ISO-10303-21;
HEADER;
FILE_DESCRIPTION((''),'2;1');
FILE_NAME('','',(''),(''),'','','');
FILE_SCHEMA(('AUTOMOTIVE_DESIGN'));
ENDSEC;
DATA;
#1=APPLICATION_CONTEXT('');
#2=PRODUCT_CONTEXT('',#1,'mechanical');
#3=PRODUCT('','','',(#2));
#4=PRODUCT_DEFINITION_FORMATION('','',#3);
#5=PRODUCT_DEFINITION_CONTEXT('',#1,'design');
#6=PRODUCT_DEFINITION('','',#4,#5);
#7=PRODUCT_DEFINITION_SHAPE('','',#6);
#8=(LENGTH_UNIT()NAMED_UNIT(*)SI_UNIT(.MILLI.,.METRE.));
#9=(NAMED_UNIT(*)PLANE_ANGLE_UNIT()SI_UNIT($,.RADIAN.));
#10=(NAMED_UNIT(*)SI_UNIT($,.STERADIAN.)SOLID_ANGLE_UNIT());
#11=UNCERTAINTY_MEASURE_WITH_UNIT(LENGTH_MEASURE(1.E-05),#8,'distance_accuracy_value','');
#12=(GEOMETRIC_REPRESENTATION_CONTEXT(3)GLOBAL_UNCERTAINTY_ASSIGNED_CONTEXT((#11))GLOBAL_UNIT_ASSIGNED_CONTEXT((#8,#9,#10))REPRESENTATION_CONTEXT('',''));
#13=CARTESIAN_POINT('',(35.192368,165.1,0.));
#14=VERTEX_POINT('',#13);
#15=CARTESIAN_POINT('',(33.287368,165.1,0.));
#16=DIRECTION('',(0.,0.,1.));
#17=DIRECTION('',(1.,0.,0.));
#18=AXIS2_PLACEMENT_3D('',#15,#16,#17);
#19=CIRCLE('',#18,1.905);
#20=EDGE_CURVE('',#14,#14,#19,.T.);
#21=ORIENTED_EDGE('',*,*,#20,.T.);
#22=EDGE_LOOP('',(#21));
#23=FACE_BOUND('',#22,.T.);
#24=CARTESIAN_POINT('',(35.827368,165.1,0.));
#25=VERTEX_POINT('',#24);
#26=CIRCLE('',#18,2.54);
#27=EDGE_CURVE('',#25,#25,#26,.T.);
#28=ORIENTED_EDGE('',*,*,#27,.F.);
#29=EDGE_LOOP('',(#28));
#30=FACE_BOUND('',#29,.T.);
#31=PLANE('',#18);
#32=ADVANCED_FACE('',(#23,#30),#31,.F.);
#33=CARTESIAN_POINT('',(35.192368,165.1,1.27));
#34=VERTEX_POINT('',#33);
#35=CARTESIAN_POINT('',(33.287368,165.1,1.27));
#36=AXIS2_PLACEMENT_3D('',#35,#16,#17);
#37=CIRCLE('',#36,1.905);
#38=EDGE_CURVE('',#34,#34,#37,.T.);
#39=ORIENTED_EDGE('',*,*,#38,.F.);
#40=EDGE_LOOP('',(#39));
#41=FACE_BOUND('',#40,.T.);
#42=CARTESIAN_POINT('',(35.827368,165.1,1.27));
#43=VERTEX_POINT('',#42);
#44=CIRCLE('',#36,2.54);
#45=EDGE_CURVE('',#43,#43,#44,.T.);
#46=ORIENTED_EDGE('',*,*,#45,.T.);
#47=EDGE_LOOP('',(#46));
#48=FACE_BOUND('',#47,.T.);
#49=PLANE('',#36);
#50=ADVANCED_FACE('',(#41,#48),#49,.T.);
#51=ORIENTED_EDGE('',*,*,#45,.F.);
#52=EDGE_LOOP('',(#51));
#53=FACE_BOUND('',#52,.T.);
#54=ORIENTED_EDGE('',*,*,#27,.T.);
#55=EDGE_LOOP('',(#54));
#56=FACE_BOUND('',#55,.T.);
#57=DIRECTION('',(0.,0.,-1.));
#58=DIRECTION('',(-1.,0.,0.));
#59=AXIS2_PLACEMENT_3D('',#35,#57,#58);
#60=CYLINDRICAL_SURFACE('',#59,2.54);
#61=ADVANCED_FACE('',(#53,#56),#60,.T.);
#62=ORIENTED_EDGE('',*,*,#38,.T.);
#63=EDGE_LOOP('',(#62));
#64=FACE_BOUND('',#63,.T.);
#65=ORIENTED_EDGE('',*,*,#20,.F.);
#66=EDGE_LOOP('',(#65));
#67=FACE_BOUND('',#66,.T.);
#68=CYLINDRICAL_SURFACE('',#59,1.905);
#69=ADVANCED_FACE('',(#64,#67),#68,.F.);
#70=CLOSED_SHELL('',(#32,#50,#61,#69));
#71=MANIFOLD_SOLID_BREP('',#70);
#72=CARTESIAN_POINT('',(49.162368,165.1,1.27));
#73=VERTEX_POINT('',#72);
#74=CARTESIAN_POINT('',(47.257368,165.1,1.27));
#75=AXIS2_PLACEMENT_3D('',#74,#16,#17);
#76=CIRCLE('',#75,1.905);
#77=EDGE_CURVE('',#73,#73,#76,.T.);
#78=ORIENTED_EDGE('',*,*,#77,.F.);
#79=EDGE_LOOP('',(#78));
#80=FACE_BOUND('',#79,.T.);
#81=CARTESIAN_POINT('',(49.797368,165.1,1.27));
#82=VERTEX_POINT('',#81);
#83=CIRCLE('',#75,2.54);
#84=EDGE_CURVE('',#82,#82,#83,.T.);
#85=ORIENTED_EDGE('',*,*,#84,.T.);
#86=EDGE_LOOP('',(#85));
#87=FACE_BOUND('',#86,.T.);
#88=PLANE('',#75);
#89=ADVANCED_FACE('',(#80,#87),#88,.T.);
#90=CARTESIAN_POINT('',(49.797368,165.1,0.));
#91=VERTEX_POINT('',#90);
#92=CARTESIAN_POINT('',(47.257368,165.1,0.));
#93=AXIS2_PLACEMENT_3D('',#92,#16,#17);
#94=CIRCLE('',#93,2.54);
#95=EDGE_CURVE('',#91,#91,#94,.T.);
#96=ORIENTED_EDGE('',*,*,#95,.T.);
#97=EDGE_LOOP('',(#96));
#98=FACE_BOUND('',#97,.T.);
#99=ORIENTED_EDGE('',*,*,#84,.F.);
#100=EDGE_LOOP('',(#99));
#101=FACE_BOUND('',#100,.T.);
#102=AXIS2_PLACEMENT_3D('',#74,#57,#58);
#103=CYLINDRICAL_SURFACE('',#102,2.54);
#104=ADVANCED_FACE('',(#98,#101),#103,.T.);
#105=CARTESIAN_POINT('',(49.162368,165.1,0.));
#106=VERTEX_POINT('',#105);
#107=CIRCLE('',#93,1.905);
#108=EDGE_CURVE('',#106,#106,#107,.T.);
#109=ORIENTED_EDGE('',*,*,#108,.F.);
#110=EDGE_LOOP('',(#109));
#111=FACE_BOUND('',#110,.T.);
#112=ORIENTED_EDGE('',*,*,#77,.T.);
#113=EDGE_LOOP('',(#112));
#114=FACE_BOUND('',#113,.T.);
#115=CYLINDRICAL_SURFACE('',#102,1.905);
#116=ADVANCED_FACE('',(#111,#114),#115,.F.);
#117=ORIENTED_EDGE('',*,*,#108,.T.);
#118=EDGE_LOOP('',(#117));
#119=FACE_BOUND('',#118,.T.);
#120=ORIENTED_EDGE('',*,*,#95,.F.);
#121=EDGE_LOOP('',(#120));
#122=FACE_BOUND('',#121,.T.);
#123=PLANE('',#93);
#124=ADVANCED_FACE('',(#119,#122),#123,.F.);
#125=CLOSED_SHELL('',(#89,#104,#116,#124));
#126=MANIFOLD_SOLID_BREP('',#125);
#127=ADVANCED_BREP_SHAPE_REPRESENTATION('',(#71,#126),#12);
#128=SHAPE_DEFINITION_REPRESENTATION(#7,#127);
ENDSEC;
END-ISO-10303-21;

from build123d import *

# Parameters (mm, degrees)
SKETCH3_R             = 2.54
SKETCH3_R_2           = 1.905
BOSS_EXTRUDE1_DEPTH   = 1.27
BOSS_EXTRUDE1_2_DEPTH = 1.27


with BuildPart() as part:
    # Sketch3 → Boss-Extrude1 (new body)
    with BuildSketch(Plane.XY):
        with Locations((33.287368421, 165.1)):
            Circle(SKETCH3_R)
        with Locations((33.287368421, 165.1)):
            Circle(SKETCH3_R_2, mode=Mode.SUBTRACT)
    extrude(amount=BOSS_EXTRUDE1_DEPTH)


with BuildPart() as body_2:
    # Sketch3 → Boss-Extrude1 2 (new body)
    with BuildSketch(Plane.XY):
        with Locations((47.257368421, 165.1)):
            Circle(SKETCH3_R)
        with Locations((47.257368421, 165.1)):
            Circle(SKETCH3_R_2, mode=Mode.SUBTRACT)
    extrude(amount=BOSS_EXTRUDE1_2_DEPTH)


solid = Compound([part.part, body_2.part])
